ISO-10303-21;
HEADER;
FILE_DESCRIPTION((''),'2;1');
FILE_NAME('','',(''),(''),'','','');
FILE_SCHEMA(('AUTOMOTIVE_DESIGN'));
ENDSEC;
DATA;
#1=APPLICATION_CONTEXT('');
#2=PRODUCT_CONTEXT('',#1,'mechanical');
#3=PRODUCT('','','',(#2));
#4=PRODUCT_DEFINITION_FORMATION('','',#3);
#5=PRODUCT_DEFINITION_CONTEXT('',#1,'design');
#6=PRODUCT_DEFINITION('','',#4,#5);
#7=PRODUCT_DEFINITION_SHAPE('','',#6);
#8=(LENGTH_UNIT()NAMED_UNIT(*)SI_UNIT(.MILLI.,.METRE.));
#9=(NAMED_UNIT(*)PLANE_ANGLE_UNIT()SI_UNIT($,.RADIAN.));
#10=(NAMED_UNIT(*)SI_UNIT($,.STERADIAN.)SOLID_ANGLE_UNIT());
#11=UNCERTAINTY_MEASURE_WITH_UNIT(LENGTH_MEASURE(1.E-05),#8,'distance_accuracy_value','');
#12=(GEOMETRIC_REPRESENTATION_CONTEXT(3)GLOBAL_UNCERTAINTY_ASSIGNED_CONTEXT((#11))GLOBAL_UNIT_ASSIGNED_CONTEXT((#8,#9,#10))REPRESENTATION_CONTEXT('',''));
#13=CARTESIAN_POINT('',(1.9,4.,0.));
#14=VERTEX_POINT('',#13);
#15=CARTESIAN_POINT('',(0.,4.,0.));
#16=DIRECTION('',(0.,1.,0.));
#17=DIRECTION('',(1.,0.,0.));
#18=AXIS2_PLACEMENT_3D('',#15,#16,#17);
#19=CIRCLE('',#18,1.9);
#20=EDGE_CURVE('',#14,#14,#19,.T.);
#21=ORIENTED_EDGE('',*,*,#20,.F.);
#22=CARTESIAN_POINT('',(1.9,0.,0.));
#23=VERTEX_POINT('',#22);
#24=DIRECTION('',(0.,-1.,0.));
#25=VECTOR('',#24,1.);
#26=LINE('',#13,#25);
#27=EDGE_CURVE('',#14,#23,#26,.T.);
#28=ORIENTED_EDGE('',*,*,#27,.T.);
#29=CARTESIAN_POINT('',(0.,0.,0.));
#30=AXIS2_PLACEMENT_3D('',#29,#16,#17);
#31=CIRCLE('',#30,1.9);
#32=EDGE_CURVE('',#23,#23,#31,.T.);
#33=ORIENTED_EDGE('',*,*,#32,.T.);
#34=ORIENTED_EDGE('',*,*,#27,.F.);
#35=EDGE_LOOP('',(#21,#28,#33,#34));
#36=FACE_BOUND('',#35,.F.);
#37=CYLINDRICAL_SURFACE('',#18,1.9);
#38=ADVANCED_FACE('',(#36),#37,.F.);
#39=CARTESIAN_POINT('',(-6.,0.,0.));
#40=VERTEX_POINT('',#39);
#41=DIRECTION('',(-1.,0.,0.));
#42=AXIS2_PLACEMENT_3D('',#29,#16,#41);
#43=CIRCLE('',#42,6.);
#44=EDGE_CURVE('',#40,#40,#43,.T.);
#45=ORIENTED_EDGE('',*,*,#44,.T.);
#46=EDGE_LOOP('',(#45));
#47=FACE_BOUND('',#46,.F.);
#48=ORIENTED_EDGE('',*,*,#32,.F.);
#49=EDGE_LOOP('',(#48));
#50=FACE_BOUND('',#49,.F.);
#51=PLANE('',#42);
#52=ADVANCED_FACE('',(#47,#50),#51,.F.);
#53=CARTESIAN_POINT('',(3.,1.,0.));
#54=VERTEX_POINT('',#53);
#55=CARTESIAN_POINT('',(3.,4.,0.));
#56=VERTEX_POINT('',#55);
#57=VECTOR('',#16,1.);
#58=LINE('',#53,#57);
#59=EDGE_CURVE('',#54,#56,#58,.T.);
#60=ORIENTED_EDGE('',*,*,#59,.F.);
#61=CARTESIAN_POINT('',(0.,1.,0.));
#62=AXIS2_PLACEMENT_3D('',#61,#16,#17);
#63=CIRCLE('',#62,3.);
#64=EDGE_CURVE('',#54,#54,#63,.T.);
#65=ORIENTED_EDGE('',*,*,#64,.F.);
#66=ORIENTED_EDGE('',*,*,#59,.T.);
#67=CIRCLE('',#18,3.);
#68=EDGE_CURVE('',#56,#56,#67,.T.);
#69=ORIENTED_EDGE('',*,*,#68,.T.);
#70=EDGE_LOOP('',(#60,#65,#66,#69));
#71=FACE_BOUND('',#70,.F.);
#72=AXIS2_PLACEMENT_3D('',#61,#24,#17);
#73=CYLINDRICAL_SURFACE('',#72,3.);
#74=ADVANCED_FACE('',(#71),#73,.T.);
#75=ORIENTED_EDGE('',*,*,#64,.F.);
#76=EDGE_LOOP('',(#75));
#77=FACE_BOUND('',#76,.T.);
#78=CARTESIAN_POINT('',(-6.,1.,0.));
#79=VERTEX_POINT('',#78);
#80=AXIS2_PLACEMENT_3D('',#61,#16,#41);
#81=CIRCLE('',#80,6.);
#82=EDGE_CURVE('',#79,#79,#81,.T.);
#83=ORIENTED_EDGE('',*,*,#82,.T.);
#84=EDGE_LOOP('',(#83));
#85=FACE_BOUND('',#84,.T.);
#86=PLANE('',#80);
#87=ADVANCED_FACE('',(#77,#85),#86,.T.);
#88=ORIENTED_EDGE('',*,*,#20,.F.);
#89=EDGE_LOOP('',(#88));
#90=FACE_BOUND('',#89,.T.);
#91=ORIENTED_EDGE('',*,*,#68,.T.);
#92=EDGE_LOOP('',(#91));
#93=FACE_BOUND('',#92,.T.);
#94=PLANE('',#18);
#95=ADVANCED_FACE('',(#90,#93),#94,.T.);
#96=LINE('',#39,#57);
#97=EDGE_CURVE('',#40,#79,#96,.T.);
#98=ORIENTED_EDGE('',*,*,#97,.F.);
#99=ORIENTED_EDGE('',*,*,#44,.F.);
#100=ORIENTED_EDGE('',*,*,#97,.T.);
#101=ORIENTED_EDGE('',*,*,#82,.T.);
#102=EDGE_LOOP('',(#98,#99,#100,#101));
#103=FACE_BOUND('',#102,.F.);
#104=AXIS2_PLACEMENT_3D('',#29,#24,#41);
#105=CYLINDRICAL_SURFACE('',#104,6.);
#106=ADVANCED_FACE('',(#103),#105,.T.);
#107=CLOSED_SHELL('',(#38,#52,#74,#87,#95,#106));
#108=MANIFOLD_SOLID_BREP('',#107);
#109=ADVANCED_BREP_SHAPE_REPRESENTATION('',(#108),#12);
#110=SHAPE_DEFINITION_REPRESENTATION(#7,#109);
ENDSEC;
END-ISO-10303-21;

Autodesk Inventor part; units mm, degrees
ref_plane "YZ Plane" through (0, 0, 0) normal (1, 0, 0) x (0, 1, 0)
ref_plane "XZ Plane" through (0, 0, 0) normal (0, 1, 0) x (-1, 0, 0)
ref_plane "XY Plane" through (0, 0, 0) normal (0, 0, 1) x (1, 0, 0)
sketch "スケッチ1" plane through (0, 0, 0) normal (0, 1, 0) x (-1, 0, 0)
  circle A0 centre (0, 0) radius 6
  dimension "d0" = 12
extrude "押し出し1" add sketch "スケッチ1" along normal blind 1
sketch "スケッチ2" plane through (0, 1, 0) normal (0, 1, 0) x (1, 0, 0)
  circle A0 centre (0, 0) radius 3
  dimension "d3" = 6
extrude "押し出し2" add sketch "スケッチ2" along normal blind 3
sketch "スケッチ3" plane through (0, 4, 0) normal (0, 1, 0) x (1, 0, 0)
  circle A0 centre (0, 0) radius 1.9
  dimension "d6" = 3.8
extrude "押し出し3" cut sketch "スケッチ3" against normal through all
properties part number "ベルト_bush"
